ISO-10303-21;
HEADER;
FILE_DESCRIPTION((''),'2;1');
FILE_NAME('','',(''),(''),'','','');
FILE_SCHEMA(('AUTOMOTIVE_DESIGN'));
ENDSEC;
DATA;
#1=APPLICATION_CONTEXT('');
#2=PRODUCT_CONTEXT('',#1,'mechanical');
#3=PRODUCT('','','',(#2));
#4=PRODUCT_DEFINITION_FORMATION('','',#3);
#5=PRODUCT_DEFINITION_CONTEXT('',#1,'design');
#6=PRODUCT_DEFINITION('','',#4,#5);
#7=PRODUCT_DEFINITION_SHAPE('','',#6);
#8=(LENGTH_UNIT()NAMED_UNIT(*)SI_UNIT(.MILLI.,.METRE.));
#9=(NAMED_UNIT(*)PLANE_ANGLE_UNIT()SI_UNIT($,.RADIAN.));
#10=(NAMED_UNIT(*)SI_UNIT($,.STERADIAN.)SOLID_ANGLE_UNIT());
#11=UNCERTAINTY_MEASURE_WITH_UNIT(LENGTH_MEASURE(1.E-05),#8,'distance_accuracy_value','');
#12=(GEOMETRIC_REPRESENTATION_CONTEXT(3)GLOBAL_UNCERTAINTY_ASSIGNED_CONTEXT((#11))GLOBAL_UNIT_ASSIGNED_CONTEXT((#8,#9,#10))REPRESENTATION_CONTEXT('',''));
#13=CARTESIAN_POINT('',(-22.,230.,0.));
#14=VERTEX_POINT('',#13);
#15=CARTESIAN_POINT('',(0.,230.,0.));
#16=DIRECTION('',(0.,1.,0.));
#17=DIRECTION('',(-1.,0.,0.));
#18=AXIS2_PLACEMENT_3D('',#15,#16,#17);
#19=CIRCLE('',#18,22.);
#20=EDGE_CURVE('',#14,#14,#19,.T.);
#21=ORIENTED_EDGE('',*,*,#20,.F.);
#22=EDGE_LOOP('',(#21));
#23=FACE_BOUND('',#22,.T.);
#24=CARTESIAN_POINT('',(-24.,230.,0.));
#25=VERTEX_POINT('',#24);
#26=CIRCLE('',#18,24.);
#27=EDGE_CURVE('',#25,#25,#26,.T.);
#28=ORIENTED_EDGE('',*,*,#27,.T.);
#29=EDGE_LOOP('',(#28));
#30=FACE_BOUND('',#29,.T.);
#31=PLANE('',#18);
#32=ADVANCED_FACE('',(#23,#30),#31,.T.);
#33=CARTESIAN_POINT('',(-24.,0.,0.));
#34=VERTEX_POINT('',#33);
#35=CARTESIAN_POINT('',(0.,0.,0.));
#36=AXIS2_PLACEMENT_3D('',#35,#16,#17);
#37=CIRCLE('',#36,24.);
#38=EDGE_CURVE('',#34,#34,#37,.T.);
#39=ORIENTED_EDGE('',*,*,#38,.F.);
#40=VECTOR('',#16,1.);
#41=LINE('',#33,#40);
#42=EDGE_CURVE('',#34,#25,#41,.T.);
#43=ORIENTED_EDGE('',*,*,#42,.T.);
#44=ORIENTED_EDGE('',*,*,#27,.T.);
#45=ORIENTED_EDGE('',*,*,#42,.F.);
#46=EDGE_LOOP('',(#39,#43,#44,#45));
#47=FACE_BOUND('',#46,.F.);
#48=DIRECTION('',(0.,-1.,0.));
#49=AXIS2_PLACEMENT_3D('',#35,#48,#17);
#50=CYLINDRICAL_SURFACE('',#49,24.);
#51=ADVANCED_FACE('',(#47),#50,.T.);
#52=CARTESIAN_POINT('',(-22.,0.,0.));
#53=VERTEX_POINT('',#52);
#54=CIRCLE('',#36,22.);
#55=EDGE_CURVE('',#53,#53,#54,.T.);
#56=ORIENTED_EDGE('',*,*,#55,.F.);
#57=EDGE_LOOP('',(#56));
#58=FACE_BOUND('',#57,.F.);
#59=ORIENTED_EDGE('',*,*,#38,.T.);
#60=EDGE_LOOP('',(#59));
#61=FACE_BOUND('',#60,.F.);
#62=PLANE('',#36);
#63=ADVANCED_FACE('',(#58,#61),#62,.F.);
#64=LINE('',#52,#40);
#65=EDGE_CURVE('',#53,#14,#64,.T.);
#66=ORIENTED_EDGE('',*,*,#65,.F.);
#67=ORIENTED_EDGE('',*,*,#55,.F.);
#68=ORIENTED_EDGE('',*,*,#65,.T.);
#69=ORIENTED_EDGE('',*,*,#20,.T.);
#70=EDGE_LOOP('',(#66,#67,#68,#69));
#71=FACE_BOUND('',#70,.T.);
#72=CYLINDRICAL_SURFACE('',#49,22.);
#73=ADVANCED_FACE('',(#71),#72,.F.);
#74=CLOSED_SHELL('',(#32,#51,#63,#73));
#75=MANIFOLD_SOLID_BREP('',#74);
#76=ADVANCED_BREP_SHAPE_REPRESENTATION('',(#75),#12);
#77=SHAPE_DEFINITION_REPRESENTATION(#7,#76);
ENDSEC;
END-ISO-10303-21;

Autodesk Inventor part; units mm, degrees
ref_plane "YZ Plane" through (0, 0, 0) normal (1, 0, 0) x (0, 1, 0)
ref_plane "XZ Plane" through (0, 0, 0) normal (0, 1, 0) x (-1, 0, 0)
ref_plane "XY Plane" through (0, 0, 0) normal (0, 0, 1) x (1, 0, 0)
sketch "Skizze1" plane through (0, 0, 0) normal (0, 1, 0) x (-1, 0, 0)
  circle A0 centre (0, 0) radius 24
  circle A1 centre (0, 0) radius 22
  dimension "d0" = 48
  dimension "d1" = 2
extrude "Extrusion1" add sketch "Skizze1" along normal blind 230
properties part number "Stufenrohr"
